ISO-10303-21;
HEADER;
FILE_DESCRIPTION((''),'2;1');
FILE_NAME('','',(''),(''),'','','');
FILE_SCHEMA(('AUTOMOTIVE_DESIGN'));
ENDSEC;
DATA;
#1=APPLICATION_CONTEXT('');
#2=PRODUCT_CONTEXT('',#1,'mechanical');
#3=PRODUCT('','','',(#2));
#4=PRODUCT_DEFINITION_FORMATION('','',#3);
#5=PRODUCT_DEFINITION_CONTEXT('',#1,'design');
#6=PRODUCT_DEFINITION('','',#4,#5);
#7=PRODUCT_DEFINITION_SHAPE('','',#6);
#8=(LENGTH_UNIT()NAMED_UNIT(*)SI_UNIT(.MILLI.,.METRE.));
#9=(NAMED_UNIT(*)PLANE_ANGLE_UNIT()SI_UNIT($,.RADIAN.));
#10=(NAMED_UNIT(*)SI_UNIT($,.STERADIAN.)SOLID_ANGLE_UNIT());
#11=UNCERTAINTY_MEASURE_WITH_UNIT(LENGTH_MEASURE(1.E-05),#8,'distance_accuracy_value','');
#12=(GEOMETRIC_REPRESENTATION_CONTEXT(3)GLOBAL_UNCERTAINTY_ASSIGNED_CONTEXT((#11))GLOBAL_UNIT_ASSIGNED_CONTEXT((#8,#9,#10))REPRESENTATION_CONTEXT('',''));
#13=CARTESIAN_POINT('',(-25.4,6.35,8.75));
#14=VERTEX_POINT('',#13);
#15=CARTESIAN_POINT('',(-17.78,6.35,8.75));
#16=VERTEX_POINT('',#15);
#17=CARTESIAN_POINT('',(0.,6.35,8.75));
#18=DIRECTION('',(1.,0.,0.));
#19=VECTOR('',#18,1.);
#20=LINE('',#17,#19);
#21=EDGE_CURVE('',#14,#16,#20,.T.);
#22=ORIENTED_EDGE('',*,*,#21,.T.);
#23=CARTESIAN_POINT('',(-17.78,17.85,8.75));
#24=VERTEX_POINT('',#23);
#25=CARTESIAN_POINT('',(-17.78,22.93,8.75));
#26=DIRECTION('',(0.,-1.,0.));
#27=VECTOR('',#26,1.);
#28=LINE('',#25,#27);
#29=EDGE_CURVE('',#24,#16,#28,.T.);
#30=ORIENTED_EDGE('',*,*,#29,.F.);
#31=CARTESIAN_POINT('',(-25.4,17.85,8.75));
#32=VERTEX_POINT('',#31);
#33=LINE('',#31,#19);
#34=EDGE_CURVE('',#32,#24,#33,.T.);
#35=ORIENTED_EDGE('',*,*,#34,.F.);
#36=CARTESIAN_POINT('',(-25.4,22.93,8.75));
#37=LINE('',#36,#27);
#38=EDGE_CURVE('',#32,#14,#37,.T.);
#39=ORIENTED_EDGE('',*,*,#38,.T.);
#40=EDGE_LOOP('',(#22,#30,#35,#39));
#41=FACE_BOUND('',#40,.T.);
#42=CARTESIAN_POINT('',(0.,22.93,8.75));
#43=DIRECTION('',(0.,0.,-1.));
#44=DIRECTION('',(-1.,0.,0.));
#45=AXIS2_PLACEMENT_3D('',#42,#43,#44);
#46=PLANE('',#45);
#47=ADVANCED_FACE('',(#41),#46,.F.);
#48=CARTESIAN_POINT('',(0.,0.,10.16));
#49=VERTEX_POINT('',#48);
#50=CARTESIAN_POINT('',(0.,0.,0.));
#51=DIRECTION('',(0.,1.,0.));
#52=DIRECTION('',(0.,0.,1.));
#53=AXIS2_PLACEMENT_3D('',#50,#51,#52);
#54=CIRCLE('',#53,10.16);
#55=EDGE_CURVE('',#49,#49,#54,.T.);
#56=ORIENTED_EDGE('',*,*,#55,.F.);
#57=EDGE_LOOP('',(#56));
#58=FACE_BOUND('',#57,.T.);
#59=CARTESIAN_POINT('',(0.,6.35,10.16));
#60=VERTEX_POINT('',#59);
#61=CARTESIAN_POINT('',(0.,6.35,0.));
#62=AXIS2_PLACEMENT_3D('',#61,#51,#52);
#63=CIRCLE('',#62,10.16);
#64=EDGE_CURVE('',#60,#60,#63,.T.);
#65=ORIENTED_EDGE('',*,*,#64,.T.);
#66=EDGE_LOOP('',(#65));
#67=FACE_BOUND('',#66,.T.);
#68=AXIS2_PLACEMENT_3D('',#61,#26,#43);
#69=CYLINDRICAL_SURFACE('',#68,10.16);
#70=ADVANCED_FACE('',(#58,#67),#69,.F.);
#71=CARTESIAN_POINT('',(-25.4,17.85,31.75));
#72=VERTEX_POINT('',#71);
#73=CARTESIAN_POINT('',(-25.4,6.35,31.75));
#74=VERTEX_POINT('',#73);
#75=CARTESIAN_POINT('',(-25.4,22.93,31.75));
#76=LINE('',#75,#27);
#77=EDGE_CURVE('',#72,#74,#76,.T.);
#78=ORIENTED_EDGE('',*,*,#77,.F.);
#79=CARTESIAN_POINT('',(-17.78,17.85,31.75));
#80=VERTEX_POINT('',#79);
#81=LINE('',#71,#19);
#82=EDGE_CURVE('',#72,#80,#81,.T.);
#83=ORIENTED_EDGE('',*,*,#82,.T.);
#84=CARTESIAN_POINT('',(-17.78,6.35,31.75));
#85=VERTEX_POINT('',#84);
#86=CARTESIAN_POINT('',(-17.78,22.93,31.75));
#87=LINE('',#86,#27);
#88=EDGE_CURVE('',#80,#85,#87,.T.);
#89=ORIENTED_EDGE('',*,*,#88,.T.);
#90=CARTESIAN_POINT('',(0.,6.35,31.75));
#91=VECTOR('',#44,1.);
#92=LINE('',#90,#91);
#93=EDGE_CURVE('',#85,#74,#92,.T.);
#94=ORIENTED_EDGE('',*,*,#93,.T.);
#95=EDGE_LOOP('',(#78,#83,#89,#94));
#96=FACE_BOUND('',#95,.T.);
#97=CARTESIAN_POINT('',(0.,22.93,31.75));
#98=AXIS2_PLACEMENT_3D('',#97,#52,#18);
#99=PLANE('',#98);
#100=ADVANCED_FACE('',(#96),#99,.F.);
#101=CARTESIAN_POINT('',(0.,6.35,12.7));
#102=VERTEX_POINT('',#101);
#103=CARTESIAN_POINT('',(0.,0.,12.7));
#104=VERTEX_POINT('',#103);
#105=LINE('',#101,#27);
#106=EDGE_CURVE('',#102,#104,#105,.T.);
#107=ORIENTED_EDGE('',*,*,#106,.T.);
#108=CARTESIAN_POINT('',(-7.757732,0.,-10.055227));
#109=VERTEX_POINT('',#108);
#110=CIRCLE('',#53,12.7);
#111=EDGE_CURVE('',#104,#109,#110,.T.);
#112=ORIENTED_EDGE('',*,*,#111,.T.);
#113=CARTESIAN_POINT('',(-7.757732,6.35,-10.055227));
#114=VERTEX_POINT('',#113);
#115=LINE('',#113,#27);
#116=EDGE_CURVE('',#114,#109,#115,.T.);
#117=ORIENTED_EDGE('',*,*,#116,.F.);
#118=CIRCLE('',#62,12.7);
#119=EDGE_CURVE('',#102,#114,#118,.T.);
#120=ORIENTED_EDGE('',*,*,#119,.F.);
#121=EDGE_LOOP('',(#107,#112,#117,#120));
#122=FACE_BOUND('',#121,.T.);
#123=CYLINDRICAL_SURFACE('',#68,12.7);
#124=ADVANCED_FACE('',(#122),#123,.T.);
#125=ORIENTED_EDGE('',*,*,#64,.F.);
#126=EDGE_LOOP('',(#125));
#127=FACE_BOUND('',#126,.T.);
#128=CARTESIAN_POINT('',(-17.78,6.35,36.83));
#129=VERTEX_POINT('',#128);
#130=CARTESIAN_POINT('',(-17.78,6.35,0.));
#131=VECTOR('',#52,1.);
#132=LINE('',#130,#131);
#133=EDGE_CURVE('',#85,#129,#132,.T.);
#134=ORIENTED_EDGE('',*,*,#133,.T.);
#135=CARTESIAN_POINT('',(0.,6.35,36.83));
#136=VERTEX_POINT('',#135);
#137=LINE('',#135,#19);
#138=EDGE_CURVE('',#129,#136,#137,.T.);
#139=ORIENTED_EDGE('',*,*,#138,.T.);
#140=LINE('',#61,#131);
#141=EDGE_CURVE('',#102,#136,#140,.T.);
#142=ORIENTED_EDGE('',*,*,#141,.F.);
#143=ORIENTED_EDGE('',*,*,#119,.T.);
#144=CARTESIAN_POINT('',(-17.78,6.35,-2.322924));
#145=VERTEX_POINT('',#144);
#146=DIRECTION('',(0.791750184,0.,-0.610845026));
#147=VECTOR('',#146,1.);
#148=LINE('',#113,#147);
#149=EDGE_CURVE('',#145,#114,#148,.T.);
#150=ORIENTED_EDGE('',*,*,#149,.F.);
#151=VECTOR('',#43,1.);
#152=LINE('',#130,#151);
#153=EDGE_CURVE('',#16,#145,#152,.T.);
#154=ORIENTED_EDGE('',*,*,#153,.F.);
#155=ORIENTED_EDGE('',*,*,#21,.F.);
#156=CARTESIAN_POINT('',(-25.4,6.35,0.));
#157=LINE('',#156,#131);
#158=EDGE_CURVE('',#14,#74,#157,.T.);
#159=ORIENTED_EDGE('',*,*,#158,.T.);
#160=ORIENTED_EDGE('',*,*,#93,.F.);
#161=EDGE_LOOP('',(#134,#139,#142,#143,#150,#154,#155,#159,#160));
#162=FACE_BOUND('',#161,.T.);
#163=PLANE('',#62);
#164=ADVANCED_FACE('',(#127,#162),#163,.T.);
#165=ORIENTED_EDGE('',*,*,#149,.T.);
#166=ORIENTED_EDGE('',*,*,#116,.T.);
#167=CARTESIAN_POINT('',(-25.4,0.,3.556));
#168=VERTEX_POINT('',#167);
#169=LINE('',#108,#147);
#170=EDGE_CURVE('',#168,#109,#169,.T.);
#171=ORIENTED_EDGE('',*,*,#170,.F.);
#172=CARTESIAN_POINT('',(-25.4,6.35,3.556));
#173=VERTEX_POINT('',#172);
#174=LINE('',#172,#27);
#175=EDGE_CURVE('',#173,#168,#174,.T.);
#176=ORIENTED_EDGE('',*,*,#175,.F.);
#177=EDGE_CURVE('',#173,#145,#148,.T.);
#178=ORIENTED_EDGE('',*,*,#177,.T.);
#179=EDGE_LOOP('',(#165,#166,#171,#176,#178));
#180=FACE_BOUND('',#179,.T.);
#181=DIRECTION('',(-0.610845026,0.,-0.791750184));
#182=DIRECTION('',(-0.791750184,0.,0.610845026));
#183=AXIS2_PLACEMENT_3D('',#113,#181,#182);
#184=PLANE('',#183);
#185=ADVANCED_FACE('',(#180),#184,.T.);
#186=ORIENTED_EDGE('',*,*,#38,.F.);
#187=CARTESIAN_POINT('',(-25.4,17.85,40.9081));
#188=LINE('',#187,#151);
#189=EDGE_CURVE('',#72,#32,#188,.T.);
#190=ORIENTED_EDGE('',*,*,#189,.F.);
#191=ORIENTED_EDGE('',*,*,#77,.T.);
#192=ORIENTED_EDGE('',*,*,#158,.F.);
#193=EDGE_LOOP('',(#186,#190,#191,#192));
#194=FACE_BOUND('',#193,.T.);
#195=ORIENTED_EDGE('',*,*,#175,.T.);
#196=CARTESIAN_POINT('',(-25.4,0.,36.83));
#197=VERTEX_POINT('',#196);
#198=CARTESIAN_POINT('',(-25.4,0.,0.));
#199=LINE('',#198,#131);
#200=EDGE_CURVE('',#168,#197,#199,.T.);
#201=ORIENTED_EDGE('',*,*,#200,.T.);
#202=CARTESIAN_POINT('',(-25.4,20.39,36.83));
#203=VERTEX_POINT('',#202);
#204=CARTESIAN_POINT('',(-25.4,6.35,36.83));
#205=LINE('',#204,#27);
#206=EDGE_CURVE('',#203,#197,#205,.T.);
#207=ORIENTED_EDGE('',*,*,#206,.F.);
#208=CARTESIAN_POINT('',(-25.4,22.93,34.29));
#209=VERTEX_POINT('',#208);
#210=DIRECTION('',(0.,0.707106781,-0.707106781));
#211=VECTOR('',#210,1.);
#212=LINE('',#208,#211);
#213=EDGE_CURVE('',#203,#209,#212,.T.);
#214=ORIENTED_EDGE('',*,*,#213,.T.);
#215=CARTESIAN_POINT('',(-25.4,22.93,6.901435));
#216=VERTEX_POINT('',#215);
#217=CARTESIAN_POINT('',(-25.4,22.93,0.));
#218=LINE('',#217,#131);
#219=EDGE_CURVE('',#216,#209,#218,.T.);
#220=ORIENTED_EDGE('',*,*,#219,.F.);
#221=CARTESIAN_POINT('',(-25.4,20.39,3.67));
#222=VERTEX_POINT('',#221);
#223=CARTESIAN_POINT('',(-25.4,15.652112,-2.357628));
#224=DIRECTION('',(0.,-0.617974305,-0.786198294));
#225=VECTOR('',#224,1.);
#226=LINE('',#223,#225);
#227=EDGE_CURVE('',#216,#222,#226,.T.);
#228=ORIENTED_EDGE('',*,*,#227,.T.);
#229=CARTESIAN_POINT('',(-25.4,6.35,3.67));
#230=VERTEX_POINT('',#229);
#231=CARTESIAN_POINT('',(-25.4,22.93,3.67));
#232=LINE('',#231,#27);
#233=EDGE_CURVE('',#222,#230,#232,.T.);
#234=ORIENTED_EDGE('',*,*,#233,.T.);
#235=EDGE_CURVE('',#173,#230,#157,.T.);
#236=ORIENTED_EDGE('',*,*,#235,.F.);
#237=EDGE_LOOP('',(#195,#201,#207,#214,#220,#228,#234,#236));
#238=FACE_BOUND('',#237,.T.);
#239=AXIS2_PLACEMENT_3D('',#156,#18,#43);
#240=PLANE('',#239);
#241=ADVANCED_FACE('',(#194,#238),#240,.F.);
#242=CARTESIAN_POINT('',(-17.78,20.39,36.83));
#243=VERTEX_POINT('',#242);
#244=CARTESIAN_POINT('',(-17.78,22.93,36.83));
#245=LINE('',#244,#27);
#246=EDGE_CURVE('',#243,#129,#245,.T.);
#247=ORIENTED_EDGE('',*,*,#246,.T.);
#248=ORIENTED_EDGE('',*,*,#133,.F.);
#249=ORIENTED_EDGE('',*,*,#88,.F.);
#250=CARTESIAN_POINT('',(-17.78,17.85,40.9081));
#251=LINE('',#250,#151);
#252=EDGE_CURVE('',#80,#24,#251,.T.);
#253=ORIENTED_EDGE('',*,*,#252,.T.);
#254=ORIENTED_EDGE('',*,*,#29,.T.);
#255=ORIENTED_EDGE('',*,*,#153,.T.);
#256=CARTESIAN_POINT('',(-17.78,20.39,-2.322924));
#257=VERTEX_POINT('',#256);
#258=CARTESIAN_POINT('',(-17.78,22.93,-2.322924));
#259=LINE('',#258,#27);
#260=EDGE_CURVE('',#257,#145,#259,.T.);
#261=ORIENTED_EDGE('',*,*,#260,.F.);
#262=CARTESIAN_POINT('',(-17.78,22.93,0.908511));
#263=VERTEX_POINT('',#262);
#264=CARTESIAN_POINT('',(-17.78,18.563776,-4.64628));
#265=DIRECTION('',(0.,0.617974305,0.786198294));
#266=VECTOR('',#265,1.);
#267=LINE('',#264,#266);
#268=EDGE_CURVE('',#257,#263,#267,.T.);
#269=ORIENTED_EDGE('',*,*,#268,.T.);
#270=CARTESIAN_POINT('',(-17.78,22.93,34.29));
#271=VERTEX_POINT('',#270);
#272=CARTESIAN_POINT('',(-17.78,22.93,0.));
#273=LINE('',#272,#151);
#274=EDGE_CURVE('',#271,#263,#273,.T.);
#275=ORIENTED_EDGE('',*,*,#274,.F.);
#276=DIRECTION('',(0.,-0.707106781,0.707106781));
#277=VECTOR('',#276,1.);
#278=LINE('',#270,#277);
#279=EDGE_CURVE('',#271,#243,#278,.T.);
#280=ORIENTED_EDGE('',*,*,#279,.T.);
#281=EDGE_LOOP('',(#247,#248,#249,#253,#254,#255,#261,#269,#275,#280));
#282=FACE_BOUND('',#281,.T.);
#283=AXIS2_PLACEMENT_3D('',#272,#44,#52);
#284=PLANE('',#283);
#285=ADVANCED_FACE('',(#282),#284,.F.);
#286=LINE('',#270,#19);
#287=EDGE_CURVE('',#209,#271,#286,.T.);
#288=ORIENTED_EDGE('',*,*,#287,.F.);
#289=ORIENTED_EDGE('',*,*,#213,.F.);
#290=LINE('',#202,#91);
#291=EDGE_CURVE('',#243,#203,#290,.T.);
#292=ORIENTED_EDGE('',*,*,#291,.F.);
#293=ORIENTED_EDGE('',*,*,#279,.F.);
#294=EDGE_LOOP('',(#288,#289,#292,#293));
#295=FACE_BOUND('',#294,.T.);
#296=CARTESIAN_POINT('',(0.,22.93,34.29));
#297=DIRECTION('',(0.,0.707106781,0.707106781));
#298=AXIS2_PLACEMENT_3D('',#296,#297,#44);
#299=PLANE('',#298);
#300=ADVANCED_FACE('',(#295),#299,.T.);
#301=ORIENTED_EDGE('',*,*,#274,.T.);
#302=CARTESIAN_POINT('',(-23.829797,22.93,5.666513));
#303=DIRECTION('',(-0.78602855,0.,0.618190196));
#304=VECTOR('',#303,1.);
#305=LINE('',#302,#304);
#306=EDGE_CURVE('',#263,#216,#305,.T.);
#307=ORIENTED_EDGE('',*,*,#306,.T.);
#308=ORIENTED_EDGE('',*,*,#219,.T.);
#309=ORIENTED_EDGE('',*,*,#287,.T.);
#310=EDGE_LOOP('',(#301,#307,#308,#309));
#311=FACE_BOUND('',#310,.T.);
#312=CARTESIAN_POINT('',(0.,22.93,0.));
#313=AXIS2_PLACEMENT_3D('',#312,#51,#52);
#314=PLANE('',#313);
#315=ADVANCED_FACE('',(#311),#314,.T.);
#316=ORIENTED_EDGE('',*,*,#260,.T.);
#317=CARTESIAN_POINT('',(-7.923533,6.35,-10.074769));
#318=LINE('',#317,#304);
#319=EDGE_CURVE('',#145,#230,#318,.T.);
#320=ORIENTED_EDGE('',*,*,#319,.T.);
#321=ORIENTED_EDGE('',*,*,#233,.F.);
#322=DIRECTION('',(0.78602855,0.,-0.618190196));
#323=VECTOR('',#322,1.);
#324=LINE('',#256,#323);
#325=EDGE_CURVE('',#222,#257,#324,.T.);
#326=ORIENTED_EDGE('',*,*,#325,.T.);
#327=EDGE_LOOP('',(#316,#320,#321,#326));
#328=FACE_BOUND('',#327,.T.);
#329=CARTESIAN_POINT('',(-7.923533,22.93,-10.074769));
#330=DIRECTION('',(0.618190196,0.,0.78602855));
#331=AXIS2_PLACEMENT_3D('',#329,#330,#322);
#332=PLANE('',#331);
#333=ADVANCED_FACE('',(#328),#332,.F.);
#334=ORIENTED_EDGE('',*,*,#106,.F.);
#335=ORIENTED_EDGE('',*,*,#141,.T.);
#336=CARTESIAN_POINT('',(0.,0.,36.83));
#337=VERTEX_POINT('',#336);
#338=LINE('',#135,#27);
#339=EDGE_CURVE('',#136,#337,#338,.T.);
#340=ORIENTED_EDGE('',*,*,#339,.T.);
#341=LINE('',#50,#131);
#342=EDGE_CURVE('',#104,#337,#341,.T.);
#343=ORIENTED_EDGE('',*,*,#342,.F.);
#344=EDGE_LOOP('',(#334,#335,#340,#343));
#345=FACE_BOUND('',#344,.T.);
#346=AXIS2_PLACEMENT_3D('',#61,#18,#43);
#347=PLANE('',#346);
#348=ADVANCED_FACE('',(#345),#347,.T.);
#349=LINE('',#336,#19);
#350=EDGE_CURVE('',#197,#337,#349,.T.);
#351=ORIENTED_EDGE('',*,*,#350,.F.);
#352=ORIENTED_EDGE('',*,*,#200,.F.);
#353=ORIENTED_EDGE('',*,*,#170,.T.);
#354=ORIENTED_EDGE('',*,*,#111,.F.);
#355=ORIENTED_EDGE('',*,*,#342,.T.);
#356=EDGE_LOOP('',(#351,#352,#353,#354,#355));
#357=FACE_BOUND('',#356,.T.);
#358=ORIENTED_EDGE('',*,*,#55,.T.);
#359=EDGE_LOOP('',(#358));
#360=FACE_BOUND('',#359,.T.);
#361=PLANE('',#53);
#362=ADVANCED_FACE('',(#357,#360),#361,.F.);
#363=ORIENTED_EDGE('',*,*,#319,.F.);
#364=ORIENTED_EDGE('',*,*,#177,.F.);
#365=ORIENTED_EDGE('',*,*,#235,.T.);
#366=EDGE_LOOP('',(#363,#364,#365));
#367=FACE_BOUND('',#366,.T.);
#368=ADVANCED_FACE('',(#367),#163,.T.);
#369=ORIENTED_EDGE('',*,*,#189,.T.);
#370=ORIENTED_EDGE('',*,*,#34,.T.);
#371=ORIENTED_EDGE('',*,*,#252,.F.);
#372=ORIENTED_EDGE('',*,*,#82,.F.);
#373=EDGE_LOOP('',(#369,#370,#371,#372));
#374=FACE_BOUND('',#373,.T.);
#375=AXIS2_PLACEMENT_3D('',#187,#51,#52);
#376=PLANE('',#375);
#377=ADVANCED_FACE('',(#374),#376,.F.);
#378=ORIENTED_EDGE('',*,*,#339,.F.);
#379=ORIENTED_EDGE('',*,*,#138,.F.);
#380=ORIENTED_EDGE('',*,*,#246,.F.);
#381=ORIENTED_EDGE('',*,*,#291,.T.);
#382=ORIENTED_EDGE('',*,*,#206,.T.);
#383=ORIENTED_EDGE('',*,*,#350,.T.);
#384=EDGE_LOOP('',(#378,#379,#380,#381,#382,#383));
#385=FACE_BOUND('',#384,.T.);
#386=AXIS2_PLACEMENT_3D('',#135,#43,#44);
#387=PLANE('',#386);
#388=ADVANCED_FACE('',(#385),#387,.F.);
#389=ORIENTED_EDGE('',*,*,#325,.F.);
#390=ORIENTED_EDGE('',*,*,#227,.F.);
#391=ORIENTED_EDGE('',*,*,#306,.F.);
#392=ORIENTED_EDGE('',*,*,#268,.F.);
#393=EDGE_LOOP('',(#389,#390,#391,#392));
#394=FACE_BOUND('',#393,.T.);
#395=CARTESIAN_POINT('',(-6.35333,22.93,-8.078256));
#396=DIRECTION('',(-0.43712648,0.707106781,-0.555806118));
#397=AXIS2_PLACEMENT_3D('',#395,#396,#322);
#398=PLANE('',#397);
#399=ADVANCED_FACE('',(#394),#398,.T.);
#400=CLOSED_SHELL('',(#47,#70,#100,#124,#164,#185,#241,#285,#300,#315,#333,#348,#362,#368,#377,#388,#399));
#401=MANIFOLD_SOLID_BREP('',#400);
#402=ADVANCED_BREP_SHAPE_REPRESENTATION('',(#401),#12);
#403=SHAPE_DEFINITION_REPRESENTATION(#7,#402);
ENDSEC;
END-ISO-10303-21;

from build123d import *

# Parameters (mm, degrees)
BOSS_EXTRUDE1_DEPTH = 6.35
SKETCH6_W           = 7.62
SKETCH6_H           = 5.08
BOSS_EXTRUDE3_DEPTH = 16.58
SKETCH8_W           = 7.62
SKETCH8_H           = 5.08
BOSS_EXTRUDE4_DEPTH = 23
CHAMFER1_SIZE       = 2.54


with BuildPart() as part:
    # Sketch1 → Boss-Extrude1 (new body)
    with BuildSketch(Plane(origin=(0, 0, 0), x_dir=(1, 0, 0), z_dir=(0, 1, 0))):
        with BuildLine():
            Line((0, -36.83), (0, -12.7))
            ThreePointArc((0, -12.7), (12.020636157, 4.098085697), (-7.757731828, 10.055227341))
            Line((-7.757731828, 10.055227341), (-25.4, -3.556))
            Line((-25.4, -3.556), (-25.4, -17.326729584))
            Line((-25.4, -17.326729584), (-25.4, -17.78))
            Line((-25.4, -17.78), (-25.4, -36.83))
            Line((-25.4, -36.83), (0, -36.83))
        make_face()
        with BuildLine():
            ThreePointArc((10.16, 0), (0.750509795, -10.13224235), (-10.049121072, -1.496918727))
            ThreePointArc((-10.049121072, -1.496918727), (-10.15820415, 0.191019487), (-9.985739115, 1.873663342))
            ThreePointArc((-9.985739115, 1.873663342), (0.940874749, 10.116340974), (10.16, 0))
        make_face(mode=Mode.SUBTRACT)
    extrude(amount=BOSS_EXTRUDE1_DEPTH)

    # Sketch6 → Boss-Extrude3 (add)
    with BuildSketch(Plane(origin=(0, 6.35, 0), x_dir=(1, 0, 0), z_dir=(0, 1, 0))):
        Polygon((-17.78, -3.67), (-17.78, 2.322923919), (-25.4, -3.67), align=None)
        with Locations((-21.59, -6.21)):
            Rectangle(SKETCH6_W, SKETCH6_H)
        with Locations((-21.59, -34.29)):
            Rectangle(SKETCH6_W, SKETCH6_H)
    extrude(amount=BOSS_EXTRUDE3_DEPTH)

    # Sketch8 → Boss-Extrude4 (add)
    with BuildSketch(Plane.XY.offset(8.75)):
        with Locations((-21.59, 20.39)):
            Rectangle(SKETCH8_W, SKETCH8_H)
    extrude(amount=BOSS_EXTRUDE4_DEPTH)

    # Chamfer1
    chamfer1_edges = [part.edges().sort_by_distance(p)[0] for p in [
        (-21.59, 22.93, 0.673538041),
        (-21.59, 22.93, 36.83),
    ]]
    chamfer(chamfer1_edges, length=CHAMFER1_SIZE)


solid = part.part
